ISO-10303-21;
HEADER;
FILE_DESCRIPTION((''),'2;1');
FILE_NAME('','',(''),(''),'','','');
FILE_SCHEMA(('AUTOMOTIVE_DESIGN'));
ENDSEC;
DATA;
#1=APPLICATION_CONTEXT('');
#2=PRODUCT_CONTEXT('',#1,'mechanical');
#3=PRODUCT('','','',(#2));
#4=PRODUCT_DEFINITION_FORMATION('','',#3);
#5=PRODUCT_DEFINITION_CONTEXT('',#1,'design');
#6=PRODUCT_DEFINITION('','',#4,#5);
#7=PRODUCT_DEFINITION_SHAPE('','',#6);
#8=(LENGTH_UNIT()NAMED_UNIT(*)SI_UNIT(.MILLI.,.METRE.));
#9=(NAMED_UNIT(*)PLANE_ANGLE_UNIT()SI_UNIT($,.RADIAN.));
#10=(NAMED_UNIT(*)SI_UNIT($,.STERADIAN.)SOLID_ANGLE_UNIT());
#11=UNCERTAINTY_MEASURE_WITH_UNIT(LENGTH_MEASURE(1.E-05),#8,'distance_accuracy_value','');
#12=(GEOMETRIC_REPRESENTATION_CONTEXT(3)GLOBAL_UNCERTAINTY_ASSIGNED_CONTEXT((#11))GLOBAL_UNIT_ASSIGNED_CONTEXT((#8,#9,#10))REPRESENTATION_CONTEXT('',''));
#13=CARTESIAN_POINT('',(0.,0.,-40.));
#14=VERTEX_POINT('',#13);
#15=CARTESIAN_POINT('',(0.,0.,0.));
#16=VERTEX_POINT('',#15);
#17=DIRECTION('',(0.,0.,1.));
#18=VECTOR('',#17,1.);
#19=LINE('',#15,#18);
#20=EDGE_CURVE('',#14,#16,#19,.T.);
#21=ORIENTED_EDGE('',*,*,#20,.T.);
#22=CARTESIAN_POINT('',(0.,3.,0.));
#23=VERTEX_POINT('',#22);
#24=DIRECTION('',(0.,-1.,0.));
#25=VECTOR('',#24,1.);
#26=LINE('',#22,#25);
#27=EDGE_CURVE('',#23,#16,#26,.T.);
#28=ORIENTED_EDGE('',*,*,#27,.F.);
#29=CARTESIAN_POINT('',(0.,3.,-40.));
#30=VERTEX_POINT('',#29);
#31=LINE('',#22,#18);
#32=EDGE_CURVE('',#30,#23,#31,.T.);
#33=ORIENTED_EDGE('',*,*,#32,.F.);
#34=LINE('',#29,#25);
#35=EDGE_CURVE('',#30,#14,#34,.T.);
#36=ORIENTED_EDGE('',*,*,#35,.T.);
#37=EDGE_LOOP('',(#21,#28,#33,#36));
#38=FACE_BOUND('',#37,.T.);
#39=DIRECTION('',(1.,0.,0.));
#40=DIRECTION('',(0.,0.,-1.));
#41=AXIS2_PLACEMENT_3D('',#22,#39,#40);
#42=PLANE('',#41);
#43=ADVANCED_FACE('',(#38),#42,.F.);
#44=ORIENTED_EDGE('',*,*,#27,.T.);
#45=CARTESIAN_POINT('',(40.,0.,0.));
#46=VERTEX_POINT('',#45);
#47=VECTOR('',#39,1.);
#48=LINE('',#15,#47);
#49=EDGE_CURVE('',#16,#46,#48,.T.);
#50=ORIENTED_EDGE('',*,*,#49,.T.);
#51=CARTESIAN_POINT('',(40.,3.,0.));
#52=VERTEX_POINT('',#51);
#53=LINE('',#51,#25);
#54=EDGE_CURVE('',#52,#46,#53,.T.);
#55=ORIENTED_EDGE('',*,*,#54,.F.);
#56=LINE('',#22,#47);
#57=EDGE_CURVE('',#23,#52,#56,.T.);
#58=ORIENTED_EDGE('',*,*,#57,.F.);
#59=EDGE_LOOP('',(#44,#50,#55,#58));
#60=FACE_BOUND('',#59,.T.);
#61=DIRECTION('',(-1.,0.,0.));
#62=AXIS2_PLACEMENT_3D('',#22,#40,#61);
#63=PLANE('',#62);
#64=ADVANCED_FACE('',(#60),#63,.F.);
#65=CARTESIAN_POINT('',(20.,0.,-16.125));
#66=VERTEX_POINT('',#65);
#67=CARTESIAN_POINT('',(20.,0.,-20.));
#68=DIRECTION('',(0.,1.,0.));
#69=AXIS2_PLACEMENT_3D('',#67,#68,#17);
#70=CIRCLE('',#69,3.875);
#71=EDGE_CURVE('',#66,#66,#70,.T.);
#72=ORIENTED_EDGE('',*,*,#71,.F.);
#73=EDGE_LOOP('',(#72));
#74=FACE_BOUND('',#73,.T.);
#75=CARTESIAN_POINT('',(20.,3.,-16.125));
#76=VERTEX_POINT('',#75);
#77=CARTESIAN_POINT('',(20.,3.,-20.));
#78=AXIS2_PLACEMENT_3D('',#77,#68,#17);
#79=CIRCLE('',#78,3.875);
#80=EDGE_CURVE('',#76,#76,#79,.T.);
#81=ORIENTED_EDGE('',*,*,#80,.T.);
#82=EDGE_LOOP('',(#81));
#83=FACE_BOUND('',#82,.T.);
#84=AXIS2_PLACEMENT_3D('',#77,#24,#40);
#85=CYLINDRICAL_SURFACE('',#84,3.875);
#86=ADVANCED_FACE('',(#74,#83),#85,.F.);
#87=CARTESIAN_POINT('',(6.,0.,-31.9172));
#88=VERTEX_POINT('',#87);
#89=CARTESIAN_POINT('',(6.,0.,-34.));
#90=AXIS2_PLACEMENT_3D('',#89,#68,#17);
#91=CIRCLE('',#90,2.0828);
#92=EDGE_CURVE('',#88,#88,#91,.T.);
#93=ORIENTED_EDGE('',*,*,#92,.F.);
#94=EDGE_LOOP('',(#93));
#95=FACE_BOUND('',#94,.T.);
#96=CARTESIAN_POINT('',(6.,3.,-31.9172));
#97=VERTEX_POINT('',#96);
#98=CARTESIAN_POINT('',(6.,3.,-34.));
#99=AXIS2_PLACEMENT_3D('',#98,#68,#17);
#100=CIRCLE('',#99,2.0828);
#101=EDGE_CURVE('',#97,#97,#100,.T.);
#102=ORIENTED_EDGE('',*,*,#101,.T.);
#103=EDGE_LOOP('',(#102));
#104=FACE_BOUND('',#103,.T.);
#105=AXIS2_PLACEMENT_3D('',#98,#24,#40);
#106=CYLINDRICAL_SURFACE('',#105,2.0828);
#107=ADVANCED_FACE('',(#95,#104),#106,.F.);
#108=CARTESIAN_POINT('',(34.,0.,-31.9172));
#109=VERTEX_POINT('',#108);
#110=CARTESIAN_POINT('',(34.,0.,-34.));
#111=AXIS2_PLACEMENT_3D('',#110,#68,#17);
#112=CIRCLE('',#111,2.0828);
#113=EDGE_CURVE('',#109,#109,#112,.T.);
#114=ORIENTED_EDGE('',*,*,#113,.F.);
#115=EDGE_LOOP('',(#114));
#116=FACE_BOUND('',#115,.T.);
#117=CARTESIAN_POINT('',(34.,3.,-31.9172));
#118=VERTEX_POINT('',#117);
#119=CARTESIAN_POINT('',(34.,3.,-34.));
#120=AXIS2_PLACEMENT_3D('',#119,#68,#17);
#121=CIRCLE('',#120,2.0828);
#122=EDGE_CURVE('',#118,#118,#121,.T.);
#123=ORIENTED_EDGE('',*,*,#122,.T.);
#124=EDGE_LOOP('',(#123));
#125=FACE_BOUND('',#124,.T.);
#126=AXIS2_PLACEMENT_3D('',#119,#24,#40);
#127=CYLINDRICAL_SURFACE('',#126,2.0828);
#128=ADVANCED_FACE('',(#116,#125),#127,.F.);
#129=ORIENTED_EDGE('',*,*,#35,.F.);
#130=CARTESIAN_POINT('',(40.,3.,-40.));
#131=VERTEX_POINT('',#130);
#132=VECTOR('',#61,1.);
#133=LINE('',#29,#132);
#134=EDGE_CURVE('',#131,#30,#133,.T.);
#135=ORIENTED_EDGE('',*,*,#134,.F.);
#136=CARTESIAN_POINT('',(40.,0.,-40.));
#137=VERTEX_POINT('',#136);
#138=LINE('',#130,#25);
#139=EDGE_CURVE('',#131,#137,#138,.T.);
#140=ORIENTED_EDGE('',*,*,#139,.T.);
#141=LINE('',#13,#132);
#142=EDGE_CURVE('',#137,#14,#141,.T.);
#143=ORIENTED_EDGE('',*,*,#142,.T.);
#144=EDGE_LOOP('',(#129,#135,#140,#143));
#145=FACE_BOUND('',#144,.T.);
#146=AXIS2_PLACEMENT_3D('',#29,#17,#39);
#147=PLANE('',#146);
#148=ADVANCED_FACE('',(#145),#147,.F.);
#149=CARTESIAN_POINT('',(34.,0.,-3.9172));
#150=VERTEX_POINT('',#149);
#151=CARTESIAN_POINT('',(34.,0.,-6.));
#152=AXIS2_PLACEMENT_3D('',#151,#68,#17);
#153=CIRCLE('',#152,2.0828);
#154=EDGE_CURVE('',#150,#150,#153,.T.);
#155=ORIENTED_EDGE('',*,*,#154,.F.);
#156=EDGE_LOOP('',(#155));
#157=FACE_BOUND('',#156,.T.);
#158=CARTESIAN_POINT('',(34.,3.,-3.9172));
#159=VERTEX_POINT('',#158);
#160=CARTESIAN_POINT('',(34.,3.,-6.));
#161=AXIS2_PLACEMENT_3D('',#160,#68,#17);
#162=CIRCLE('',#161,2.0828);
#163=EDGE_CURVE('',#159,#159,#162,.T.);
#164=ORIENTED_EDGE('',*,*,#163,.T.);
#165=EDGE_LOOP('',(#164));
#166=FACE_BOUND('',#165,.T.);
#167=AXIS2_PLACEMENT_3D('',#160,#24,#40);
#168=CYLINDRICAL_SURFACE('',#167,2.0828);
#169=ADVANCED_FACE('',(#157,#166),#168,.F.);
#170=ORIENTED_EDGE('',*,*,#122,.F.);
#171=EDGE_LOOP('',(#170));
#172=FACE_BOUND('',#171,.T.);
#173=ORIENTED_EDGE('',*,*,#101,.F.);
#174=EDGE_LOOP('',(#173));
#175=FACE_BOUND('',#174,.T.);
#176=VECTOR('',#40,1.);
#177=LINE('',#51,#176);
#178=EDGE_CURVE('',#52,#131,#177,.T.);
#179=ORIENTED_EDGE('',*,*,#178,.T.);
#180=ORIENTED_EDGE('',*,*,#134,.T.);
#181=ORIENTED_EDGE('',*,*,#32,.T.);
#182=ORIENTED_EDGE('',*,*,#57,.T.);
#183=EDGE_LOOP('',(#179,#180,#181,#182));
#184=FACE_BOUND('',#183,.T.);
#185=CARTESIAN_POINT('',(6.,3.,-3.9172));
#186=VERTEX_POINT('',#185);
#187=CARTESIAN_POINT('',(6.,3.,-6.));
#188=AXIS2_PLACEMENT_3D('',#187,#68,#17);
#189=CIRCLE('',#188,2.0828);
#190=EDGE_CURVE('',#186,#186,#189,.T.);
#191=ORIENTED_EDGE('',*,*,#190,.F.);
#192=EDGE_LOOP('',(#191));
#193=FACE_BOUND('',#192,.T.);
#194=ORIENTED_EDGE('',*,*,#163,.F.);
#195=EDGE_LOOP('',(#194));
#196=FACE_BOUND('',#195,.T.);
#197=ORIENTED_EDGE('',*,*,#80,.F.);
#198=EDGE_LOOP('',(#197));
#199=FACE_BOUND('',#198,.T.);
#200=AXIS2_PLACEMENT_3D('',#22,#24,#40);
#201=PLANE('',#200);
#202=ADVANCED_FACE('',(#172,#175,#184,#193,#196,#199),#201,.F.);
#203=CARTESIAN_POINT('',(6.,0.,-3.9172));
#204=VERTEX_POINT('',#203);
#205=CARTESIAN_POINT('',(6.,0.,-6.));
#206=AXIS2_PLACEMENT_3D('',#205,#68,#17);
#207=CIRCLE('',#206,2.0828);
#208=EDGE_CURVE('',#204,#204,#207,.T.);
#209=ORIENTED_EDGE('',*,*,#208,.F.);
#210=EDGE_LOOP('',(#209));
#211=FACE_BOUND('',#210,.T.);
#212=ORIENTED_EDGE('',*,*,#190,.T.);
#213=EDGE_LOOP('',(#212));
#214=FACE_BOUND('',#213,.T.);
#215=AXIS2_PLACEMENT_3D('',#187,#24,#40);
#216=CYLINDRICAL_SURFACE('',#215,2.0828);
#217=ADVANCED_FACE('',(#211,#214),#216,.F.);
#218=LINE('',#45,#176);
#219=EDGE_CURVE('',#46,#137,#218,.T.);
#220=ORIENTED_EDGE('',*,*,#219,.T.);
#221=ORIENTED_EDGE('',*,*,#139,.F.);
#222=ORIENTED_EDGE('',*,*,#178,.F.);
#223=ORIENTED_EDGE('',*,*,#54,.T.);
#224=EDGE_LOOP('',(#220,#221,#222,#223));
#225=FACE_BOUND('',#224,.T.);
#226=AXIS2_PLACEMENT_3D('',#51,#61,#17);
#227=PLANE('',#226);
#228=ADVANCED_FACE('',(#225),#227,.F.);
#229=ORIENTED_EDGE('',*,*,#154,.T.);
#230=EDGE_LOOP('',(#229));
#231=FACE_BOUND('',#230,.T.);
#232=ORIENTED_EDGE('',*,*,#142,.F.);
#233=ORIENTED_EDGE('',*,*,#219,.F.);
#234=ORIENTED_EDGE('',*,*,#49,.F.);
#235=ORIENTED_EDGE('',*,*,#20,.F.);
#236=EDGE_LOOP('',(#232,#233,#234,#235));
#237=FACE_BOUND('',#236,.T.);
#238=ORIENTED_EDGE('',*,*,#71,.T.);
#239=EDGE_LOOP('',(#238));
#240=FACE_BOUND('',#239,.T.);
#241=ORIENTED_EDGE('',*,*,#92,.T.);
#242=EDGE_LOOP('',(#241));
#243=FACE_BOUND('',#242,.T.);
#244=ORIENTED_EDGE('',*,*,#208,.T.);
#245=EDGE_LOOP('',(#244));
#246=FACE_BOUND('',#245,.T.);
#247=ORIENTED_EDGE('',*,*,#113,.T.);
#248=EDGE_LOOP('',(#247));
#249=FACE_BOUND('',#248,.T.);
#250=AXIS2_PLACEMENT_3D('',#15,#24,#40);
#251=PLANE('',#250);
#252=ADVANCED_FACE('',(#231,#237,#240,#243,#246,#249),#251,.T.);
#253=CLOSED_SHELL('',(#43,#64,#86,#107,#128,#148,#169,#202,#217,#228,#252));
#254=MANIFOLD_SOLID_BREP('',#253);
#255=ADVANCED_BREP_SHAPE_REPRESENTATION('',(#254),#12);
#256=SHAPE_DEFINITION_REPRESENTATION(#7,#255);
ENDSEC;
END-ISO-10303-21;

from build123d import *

# Parameters (mm, degrees)
SKETCH1_W           = 40
SKETCH1_H           = 40
SKETCH1_R           = 3.875
SKETCH1_R_2         = 2.0828
BOSS_EXTRUDE1_DEPTH = 3


with BuildPart() as part:
    # Sketch1 → Boss-Extrude1 (new body)
    with BuildSketch(Plane(origin=(0, 0, 0), x_dir=(1, 0, 0), z_dir=(0, 1, 0))):
        with Locations((20, 20)):
            Rectangle(SKETCH1_W, SKETCH1_H)
        with Locations(Location((20, 20, 0), (0, 0, 270))):
            Circle(SKETCH1_R, mode=Mode.SUBTRACT)
        with Locations(Location((6, 34, 0), (0, 0, 270))):
            Circle(SKETCH1_R_2, mode=Mode.SUBTRACT)
        with Locations(Location((6, 6, 0), (0, 0, 270))):
            Circle(SKETCH1_R_2, mode=Mode.SUBTRACT)
        with Locations(Location((34, 6, 0), (0, 0, 270))):
            Circle(SKETCH1_R_2, mode=Mode.SUBTRACT)
        with Locations(Location((34, 34, 0), (0, 0, 270))):
            Circle(SKETCH1_R_2, mode=Mode.SUBTRACT)
    extrude(amount=BOSS_EXTRUDE1_DEPTH)


solid = part.part
